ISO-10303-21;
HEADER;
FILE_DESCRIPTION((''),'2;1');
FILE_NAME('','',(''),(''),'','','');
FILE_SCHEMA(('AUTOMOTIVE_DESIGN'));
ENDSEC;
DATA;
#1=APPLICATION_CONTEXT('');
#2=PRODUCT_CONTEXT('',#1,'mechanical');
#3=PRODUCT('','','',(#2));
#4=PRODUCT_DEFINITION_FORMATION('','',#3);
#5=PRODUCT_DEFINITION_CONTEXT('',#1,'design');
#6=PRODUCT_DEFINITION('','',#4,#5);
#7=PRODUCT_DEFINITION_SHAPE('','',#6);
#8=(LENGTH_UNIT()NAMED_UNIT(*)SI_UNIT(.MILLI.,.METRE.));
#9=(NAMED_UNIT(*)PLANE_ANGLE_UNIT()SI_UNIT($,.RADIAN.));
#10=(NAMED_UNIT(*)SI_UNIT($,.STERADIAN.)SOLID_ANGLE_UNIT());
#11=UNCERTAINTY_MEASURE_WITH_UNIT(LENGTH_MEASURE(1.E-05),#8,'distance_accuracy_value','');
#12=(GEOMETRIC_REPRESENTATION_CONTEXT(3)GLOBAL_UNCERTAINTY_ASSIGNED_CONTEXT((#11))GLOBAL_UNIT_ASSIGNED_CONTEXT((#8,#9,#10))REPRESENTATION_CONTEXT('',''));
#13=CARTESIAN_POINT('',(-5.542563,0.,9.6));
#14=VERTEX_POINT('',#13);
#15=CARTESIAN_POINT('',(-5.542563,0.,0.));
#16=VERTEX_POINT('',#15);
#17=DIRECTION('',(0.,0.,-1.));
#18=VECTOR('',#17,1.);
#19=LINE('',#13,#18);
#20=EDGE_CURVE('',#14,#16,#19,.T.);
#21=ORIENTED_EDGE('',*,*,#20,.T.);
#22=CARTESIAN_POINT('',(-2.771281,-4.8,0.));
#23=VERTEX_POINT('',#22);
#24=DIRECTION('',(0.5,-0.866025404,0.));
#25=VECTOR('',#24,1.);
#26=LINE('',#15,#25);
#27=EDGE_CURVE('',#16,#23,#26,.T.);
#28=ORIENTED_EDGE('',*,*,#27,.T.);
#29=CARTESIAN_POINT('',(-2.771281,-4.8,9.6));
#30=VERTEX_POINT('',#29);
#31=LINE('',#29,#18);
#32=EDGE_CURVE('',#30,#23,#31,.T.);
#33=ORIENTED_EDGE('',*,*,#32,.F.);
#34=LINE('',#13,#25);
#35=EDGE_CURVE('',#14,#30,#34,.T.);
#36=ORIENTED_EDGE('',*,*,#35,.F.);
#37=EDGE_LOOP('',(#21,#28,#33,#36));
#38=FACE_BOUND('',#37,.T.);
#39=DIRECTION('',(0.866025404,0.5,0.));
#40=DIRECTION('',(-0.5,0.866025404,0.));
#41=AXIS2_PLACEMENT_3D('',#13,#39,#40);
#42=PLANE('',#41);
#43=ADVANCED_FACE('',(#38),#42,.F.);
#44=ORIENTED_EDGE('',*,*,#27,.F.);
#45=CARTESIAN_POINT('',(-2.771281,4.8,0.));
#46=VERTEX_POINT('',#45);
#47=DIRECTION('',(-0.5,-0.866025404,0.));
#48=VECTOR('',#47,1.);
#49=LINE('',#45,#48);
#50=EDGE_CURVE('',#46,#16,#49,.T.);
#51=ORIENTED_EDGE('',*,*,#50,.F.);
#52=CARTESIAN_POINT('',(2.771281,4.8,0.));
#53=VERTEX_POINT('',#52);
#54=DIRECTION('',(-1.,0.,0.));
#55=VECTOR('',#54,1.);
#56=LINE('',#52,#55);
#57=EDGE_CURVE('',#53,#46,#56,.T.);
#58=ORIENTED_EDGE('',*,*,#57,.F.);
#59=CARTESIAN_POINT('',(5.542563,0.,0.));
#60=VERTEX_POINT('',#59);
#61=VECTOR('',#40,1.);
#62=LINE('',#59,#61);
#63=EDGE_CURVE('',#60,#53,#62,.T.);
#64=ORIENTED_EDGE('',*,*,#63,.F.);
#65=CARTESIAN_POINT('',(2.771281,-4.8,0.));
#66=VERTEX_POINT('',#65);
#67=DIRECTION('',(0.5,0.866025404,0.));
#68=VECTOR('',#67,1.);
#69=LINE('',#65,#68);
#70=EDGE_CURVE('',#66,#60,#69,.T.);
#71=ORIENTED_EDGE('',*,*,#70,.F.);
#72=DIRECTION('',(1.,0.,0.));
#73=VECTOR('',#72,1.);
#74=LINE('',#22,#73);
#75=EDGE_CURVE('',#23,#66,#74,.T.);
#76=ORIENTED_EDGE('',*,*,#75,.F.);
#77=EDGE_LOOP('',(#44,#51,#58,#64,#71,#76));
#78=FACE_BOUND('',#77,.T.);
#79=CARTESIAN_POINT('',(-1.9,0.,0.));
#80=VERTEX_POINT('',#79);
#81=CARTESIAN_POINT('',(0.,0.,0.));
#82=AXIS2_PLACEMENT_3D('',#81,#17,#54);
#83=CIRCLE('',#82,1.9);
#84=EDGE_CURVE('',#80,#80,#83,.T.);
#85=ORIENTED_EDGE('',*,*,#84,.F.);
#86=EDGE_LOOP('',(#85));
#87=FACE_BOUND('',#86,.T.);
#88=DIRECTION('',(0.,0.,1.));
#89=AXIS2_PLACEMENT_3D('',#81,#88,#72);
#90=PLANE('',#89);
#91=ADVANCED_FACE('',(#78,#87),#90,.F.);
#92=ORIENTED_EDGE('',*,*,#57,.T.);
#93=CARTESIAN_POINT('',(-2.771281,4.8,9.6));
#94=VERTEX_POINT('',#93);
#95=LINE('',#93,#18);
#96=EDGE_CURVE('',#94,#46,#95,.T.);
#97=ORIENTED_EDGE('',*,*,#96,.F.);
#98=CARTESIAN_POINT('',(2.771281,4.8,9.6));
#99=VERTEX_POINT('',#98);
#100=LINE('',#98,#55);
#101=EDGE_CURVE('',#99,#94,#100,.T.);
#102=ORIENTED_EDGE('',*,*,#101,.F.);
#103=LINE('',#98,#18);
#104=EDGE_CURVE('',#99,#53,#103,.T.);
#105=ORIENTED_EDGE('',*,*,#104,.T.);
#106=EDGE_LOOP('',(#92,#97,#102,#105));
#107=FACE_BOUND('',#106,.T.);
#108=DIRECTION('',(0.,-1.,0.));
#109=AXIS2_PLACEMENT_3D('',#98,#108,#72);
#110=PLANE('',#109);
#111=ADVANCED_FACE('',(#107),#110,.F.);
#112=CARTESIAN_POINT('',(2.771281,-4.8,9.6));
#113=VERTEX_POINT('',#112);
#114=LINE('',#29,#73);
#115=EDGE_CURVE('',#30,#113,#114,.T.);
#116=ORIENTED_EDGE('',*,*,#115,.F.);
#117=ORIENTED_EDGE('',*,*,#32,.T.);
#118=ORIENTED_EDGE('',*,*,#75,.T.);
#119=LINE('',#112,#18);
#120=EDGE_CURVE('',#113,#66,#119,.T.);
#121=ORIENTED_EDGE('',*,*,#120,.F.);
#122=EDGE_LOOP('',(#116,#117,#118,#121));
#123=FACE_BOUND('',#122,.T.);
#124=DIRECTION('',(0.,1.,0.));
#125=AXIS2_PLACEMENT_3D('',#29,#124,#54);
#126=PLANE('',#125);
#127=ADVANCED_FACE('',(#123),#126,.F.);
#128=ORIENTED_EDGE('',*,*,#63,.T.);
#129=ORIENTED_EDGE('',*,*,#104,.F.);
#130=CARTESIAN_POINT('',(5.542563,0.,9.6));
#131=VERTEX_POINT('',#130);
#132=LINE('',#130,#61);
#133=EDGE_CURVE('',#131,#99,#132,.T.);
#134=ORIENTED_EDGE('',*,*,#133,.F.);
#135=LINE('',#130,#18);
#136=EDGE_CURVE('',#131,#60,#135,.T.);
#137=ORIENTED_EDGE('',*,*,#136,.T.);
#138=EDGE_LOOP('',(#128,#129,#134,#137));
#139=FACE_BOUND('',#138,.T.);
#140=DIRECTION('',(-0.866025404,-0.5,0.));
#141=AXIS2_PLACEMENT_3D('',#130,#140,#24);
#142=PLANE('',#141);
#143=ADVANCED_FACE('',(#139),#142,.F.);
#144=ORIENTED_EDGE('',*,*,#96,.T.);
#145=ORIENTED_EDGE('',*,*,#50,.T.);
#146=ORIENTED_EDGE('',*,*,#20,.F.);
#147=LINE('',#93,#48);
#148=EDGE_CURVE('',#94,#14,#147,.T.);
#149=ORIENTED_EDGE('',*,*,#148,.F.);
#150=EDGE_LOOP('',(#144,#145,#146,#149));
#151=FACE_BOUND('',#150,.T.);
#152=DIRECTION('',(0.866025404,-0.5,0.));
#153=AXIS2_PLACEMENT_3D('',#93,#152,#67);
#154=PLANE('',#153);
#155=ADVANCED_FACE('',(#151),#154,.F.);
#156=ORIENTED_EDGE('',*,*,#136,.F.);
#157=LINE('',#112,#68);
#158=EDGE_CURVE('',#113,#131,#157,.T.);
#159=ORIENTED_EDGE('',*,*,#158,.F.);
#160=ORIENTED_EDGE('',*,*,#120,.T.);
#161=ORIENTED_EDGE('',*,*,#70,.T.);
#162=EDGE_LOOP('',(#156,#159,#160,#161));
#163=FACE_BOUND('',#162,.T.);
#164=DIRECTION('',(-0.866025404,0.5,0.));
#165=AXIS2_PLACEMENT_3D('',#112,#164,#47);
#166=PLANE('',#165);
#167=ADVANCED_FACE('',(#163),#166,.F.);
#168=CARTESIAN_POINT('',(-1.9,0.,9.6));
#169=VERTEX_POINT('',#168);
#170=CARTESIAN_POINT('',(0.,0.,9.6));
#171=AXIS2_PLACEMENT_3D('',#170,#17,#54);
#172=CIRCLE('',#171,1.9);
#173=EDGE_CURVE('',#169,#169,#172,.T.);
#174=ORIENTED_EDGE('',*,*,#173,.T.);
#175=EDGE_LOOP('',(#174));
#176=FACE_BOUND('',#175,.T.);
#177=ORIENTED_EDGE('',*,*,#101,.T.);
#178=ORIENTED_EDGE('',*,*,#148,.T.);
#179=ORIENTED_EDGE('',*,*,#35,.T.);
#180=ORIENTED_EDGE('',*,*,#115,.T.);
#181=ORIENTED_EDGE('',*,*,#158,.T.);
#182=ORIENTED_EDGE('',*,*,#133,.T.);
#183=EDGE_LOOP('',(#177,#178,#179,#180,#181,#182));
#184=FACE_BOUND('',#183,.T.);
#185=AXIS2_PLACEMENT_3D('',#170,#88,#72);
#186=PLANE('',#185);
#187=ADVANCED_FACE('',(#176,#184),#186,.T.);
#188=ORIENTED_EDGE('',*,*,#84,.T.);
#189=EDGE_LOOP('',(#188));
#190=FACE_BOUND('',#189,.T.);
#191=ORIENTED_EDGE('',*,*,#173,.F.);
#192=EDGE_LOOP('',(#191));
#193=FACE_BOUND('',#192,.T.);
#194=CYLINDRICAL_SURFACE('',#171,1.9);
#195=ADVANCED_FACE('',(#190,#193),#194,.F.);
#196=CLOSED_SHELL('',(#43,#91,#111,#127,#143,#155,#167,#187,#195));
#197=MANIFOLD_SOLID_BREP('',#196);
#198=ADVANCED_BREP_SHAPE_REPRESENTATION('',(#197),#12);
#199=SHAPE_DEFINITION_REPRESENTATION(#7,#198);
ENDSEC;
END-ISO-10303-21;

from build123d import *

# Parameters (mm, degrees)
BOSS_EXTRUDE1_DEPTH = 9.6
SKETCH3_R           = 1.9
CUT_EXTRUDE1_DEPTH  = 10.6


with BuildPart() as part:
    # Sketch2 → Boss-Extrude1 (new body)
    with BuildSketch(Plane.XY):
        Polygon((5.542562584, 0), (2.771281292, 4.8), (-2.771281292, 4.8), (-5.542562584, 0), (-2.771281292, -4.8), (2.771281292, -4.8), align=None)
    extrude(amount=BOSS_EXTRUDE1_DEPTH)

    # Sketch3 → Cut-Extrude1 (cut, through all)
    with BuildSketch(Plane(origin=(0, 0, 0), x_dir=(-1, 0, 0), z_dir=(0, 0, -1))):
        Circle(SKETCH3_R)
    extrude(amount=-CUT_EXTRUDE1_DEPTH, mode=Mode.SUBTRACT)


solid = part.part
